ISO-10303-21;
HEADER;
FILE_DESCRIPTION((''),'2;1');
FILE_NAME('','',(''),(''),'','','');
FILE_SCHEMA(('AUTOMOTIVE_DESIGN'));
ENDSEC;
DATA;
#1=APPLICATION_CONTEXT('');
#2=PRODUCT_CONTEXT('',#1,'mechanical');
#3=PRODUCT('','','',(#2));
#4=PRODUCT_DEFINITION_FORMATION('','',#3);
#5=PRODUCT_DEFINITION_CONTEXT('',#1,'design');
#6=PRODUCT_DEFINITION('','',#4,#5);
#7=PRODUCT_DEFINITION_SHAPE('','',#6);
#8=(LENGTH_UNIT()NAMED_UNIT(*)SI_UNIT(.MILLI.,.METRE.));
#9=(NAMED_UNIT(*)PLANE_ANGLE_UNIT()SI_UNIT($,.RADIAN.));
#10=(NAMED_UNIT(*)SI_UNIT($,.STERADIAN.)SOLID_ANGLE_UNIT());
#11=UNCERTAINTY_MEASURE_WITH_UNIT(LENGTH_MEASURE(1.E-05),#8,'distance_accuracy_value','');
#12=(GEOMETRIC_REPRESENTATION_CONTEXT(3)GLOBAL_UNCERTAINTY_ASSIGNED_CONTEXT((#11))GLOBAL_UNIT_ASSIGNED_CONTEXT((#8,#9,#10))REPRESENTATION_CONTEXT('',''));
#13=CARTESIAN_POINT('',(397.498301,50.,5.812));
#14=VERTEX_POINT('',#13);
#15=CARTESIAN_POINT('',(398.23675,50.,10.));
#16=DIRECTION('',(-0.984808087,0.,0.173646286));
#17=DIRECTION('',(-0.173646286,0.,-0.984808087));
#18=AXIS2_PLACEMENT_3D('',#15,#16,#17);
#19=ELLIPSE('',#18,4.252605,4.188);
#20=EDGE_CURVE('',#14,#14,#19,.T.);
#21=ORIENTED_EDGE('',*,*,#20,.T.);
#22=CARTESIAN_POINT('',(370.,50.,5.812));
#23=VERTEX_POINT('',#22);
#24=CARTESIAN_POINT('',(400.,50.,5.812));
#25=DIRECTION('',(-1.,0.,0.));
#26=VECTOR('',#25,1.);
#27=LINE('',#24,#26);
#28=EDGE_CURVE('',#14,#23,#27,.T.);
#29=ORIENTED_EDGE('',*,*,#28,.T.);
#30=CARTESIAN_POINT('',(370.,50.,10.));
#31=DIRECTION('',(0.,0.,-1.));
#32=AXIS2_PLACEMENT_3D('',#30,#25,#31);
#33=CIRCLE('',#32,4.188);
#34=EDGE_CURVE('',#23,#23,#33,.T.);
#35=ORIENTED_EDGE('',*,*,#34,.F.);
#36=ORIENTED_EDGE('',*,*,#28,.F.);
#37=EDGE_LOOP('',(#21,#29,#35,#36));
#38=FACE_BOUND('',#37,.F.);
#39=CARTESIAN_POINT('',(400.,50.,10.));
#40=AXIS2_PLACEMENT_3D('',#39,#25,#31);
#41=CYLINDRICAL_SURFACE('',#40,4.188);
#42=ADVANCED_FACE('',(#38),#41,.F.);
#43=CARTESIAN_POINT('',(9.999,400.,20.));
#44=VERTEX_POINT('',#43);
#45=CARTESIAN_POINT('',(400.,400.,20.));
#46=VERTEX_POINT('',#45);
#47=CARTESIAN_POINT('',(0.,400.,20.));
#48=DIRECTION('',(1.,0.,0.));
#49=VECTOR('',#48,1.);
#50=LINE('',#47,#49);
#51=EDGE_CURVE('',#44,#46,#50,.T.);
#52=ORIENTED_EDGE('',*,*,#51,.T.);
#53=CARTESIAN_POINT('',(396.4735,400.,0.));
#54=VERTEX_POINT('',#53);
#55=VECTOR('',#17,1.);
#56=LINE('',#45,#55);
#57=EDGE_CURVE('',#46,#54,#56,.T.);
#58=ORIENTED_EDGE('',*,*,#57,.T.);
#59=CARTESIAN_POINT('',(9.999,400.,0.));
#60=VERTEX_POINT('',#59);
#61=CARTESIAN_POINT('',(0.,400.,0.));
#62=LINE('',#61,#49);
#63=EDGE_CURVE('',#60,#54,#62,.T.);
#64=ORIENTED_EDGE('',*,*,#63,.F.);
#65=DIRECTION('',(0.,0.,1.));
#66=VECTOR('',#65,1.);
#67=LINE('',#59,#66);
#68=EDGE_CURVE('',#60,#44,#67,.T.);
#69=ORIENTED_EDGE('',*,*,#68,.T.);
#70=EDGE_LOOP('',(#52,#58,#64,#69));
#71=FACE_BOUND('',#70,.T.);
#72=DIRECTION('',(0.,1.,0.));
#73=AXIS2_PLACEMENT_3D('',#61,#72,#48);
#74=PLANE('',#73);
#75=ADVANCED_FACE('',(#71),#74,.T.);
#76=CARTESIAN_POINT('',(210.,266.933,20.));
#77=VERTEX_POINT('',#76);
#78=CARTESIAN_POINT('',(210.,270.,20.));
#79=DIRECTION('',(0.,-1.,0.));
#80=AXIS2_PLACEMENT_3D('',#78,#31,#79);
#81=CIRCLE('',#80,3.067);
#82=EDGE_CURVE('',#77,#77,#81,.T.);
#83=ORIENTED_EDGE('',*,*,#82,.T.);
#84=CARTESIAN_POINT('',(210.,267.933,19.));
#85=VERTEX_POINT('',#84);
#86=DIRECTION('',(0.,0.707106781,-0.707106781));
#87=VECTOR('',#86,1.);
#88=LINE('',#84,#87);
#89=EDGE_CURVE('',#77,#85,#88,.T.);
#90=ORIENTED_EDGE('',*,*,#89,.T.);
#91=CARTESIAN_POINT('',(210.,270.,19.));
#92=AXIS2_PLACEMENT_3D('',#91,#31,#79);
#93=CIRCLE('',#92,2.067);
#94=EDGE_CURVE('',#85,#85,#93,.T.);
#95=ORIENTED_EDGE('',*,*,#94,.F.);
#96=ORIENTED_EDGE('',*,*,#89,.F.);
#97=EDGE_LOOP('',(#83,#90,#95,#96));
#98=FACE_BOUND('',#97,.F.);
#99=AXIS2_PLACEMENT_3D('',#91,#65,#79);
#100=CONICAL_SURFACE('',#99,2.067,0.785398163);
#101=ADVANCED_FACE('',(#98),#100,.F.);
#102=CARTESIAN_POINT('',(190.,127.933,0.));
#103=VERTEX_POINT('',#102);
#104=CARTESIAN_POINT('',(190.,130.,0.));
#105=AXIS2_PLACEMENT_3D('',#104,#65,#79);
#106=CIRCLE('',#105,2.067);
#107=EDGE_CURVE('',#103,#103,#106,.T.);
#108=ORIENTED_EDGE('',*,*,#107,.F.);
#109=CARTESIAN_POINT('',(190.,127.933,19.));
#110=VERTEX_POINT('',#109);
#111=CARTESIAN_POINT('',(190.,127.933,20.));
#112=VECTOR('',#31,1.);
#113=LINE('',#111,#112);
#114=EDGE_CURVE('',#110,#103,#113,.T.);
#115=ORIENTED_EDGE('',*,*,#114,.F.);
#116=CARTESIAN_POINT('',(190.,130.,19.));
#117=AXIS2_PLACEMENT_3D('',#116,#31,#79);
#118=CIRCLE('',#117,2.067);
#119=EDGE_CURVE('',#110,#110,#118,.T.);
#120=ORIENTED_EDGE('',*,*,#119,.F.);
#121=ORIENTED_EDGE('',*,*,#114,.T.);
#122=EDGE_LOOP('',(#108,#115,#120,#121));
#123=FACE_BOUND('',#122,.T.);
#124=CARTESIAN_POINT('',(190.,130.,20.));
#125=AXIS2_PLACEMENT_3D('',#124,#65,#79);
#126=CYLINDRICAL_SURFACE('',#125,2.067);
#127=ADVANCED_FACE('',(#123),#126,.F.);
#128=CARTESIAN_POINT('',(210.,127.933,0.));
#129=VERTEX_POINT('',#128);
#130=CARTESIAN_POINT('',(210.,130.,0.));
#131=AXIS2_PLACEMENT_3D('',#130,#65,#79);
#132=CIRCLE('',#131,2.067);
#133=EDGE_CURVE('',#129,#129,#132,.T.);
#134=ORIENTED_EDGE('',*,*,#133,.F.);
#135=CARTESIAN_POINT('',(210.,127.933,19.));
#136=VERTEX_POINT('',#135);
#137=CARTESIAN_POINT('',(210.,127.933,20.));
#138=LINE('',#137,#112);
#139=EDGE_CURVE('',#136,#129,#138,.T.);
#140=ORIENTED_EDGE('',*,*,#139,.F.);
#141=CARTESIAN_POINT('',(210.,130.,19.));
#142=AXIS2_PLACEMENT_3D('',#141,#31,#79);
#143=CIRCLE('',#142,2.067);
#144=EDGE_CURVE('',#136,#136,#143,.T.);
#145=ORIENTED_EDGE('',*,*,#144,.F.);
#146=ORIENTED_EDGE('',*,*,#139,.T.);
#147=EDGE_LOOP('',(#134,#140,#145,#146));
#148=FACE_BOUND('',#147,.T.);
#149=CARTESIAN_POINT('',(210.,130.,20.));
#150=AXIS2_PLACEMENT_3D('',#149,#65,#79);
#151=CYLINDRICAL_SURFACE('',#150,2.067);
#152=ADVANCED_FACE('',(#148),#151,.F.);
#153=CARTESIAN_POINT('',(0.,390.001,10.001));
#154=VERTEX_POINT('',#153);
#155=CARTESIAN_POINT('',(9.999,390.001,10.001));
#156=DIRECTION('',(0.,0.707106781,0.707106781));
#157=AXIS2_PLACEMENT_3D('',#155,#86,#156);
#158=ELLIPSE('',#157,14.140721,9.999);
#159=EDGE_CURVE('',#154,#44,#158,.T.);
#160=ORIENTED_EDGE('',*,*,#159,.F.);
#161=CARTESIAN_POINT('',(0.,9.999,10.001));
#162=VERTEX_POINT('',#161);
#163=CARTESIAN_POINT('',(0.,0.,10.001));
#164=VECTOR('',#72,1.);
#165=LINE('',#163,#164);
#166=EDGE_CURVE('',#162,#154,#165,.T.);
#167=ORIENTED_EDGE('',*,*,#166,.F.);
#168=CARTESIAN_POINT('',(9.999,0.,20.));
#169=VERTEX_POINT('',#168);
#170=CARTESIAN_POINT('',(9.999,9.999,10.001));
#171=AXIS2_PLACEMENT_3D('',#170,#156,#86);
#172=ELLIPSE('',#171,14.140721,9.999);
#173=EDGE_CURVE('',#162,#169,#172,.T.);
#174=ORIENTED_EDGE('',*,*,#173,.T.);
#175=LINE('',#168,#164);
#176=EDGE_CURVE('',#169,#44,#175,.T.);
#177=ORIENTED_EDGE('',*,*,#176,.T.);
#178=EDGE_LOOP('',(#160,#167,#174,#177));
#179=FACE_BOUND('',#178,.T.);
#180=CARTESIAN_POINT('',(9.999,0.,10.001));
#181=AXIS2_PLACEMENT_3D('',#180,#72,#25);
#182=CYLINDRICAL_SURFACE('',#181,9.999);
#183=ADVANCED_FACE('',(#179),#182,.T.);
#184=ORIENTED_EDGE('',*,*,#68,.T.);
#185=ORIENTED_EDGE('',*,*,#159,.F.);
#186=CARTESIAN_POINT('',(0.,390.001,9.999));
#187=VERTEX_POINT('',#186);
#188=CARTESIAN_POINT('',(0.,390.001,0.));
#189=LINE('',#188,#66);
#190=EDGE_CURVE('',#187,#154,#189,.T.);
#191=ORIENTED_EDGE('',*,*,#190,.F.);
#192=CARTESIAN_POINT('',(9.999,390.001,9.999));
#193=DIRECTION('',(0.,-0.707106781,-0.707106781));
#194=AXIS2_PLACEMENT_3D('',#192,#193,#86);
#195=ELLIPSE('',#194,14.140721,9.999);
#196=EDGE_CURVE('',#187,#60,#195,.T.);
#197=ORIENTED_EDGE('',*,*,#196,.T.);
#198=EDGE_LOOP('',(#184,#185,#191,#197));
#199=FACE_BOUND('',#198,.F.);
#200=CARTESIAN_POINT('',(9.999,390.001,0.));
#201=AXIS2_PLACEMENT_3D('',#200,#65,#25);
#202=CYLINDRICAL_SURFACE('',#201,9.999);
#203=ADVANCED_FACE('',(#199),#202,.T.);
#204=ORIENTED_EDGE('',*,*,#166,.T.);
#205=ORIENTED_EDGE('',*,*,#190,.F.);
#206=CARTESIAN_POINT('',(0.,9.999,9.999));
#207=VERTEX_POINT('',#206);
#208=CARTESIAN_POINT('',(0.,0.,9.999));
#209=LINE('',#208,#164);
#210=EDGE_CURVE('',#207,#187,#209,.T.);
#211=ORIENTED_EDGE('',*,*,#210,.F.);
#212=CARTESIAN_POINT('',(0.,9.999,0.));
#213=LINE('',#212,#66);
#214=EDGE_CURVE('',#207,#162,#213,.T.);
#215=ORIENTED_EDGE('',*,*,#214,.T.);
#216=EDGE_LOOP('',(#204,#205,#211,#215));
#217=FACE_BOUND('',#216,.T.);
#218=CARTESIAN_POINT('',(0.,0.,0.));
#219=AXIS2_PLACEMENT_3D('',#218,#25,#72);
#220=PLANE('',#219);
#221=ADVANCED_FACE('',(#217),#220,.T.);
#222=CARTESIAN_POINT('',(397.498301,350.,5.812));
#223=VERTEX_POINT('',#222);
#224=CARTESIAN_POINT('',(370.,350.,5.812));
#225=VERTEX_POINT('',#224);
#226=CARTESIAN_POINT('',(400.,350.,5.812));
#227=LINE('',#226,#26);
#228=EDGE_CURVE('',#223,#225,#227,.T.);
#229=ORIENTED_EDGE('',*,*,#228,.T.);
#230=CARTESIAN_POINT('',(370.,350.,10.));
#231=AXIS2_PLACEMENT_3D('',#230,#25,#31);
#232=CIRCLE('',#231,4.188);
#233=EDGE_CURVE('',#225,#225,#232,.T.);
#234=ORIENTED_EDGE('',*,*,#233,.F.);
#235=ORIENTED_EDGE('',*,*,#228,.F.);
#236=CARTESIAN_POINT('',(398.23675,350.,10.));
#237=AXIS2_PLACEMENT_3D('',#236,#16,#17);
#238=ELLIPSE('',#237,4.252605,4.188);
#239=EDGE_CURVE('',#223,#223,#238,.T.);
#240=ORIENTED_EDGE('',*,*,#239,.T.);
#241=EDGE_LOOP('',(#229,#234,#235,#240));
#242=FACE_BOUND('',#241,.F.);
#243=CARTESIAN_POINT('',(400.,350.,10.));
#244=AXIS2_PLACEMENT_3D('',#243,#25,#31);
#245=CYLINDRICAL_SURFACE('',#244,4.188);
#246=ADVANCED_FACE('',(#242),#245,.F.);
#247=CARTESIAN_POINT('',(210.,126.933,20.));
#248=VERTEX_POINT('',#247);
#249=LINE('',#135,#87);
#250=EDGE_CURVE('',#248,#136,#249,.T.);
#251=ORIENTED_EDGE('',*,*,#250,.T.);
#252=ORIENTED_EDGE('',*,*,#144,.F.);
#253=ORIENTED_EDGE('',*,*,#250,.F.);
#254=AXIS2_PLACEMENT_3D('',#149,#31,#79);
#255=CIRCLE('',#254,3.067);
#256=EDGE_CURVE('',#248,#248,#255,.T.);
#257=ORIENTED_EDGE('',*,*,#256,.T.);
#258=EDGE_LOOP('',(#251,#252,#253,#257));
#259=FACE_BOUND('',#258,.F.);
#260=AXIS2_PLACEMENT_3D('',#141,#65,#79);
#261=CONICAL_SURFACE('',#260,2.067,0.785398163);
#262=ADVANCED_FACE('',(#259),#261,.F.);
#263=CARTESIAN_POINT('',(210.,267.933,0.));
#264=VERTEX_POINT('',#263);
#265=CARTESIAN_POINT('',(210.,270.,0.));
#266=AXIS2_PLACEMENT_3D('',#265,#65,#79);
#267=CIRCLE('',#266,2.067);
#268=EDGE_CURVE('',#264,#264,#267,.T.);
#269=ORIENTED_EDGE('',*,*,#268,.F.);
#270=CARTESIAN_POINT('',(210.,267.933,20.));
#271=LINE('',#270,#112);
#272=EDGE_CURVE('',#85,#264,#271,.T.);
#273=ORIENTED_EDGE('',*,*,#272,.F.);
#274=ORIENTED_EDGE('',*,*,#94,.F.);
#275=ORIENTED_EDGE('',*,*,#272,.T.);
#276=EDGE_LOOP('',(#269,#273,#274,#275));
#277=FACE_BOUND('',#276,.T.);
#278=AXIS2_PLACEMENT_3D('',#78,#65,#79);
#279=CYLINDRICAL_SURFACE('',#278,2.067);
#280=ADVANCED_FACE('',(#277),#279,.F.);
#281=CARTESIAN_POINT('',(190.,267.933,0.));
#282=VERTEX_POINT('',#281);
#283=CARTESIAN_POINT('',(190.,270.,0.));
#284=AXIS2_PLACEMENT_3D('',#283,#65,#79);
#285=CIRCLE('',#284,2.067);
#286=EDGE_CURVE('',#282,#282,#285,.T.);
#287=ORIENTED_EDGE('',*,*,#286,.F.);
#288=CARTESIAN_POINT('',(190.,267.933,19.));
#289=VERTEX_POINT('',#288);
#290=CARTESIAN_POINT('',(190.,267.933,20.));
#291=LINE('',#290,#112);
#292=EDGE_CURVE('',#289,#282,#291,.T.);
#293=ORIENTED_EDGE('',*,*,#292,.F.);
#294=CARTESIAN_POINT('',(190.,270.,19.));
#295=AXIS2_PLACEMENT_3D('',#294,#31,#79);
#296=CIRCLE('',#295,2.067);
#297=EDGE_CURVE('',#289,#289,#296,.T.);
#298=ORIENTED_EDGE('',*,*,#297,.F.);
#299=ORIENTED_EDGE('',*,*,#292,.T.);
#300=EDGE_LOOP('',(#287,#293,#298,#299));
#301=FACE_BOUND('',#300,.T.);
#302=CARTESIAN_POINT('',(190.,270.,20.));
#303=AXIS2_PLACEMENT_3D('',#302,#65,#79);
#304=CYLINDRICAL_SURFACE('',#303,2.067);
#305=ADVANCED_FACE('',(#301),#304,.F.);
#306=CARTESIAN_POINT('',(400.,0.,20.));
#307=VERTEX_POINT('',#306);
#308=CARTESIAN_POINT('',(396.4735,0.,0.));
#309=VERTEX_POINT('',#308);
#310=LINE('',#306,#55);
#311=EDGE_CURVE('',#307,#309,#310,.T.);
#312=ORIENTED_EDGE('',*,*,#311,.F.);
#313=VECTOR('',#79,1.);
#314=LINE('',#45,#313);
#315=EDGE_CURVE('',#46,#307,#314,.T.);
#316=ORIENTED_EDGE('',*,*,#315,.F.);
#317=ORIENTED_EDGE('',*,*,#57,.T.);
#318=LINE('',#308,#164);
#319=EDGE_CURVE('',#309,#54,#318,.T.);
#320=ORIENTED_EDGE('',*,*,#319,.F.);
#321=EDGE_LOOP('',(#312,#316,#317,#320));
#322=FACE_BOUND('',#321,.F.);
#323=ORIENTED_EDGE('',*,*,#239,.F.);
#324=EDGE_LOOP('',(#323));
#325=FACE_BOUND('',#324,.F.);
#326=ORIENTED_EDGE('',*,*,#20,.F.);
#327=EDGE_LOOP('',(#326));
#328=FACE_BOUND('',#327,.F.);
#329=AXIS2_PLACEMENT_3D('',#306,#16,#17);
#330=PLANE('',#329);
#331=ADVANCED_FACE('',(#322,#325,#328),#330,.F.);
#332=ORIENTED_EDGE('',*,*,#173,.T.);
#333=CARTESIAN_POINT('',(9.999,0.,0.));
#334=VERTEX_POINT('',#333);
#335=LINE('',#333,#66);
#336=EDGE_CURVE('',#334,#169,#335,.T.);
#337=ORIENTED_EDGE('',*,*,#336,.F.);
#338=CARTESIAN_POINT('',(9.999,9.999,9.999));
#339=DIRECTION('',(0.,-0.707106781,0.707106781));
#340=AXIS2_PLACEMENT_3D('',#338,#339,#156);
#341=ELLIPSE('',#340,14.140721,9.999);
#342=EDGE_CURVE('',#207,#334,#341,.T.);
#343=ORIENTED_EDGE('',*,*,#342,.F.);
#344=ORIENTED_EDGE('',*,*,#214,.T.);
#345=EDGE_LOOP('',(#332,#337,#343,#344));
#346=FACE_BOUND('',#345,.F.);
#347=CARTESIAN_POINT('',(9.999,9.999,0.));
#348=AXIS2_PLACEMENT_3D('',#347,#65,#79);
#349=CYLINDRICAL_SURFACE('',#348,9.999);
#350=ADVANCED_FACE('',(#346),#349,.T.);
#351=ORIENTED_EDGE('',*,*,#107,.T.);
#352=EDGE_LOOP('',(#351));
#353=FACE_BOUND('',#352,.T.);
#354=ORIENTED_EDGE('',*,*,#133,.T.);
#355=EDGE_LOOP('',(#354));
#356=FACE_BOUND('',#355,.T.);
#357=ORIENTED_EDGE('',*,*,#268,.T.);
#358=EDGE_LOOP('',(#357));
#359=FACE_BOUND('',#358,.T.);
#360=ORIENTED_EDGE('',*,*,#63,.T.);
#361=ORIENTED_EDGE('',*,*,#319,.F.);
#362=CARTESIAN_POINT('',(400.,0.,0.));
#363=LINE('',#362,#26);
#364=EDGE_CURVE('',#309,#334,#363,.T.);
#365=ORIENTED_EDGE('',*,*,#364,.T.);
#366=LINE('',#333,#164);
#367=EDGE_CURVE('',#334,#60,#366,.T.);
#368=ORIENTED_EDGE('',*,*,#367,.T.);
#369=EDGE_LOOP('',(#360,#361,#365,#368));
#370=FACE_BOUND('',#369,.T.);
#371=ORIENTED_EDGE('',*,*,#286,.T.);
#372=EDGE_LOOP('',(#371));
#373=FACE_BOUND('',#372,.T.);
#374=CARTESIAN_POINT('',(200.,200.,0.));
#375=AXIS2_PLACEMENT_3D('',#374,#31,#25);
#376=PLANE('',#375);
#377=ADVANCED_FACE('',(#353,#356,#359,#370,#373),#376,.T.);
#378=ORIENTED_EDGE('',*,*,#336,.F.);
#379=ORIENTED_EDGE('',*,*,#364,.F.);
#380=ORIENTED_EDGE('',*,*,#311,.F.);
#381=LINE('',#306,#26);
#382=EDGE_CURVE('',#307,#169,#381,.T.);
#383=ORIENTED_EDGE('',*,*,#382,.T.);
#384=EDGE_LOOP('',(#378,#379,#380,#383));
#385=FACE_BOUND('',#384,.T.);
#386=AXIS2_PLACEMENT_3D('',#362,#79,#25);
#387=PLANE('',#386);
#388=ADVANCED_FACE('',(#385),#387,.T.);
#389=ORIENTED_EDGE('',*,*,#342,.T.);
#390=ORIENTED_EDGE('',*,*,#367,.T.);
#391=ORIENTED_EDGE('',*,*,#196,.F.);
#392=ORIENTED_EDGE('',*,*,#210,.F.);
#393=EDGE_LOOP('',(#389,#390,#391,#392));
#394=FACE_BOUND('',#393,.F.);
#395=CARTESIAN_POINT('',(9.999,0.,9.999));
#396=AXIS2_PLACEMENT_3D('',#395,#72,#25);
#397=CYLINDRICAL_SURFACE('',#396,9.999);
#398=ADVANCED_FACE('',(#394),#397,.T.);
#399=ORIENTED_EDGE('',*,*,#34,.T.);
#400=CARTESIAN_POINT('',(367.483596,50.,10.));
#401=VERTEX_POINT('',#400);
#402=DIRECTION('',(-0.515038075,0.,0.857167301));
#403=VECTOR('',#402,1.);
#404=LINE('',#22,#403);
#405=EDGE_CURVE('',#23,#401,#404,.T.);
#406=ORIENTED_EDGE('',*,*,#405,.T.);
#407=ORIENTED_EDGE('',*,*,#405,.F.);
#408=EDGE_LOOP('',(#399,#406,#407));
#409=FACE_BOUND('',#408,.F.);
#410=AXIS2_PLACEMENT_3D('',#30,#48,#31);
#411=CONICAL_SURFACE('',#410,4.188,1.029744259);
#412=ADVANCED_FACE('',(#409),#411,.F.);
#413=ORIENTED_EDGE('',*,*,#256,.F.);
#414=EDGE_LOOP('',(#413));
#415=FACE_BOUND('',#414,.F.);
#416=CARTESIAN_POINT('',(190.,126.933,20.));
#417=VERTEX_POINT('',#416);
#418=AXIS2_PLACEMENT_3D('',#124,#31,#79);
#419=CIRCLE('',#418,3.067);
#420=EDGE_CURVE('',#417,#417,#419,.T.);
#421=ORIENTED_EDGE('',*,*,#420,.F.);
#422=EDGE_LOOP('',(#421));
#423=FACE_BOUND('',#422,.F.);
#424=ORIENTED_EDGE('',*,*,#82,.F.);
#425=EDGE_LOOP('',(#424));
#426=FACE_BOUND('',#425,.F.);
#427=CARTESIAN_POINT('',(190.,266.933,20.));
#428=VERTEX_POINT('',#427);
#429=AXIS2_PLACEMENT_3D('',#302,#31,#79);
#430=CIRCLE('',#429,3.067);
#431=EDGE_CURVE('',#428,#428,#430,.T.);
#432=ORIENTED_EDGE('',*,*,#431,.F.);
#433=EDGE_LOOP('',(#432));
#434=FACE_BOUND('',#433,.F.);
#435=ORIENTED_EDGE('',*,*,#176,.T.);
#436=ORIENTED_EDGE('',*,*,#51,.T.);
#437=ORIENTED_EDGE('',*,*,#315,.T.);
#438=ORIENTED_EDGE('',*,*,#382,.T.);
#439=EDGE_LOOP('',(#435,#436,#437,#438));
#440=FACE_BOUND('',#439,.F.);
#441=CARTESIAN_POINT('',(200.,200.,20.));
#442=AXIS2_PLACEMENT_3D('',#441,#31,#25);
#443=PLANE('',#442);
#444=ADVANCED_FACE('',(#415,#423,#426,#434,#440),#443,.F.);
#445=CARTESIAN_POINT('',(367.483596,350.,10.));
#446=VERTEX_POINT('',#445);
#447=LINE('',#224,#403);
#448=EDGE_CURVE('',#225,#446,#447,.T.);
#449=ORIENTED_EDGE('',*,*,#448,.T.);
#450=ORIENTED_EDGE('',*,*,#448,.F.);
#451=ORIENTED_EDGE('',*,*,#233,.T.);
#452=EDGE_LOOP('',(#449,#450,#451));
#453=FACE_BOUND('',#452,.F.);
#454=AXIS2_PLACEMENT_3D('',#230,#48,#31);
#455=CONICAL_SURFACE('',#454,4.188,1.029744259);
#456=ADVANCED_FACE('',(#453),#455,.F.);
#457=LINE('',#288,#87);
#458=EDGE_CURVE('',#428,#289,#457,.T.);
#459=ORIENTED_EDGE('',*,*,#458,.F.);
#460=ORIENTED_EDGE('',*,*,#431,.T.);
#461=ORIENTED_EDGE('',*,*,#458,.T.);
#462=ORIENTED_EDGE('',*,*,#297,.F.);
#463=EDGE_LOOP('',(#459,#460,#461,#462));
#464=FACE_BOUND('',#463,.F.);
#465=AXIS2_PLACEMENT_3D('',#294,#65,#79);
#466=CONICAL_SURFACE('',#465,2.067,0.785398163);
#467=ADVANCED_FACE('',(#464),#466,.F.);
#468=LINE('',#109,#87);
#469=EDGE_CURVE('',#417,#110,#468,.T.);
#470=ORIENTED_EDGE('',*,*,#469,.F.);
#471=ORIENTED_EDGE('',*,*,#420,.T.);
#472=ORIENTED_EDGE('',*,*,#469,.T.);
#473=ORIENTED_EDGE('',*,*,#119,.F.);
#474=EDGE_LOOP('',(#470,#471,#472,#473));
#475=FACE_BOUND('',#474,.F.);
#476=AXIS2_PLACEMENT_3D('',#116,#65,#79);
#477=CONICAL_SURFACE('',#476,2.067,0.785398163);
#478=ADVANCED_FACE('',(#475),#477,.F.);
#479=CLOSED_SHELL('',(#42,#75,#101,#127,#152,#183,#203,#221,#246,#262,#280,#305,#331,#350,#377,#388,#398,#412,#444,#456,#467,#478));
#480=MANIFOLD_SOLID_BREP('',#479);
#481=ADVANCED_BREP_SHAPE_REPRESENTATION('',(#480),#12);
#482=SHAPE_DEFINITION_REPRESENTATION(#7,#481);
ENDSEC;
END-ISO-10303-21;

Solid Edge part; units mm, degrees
sketch "Sketch1" plane through (0, 0, 0) normal (0, 0, 1) x (1, 0, 0)
  line L0 (400, 0) -> (0, 0)
  line L1 (0, 0) -> (0, 400)
  line L2 (0, 400) -> (400, 400)
  line L3 (400, 400) -> (400, 0)
extrude "Protrusion1" add sketch "Sketch1" along normal blind 20
fillet "Verrundung_10" radius 10 4 edges at (0, 200, 20) (0, 200, 0) (0, 400, 10) (0, 0, 10)
sketch "Sketch2" plane through (205, 0, 10) normal (0, -1, 0) x (1, 0, 0)
  line L0 (195, -10) -> (195, 10)
  line L1 (195, 10) -> (191.4735, -10)
  line L2 (191.4735, -10) -> (195, -10)
extrude "Extrusionsausschnitt_1" cut sketch "Sketch2" against normal blind 400
hole "Bohrung_1" at (400, 350, 10) direction (-1, 0, 0) diameter 8.376 depth 30 tip angle 118
hole "Hole1" at (400, 50, 10) direction (-1, 0, 0) diameter 8.376 depth 30 tip angle 118
hole "Bohrung_3" at (190, 130, 20) direction (0, 0, -1) diameter 4.134 end through all start chamfer 1 start chamfer angle 45
hole "Hole2" at (210, 130, 20) direction (0, 0, -1) diameter 4.134 end through all start chamfer 1 start chamfer angle 45
hole "Hole3" at (210, 270, 20) direction (0, 0, -1) diameter 4.134 end through all start chamfer 1 start chamfer angle 45
hole "Hole4" at (190, 270, 20) direction (0, 0, -1) diameter 4.134 end through all start chamfer 1 start chamfer angle 45
